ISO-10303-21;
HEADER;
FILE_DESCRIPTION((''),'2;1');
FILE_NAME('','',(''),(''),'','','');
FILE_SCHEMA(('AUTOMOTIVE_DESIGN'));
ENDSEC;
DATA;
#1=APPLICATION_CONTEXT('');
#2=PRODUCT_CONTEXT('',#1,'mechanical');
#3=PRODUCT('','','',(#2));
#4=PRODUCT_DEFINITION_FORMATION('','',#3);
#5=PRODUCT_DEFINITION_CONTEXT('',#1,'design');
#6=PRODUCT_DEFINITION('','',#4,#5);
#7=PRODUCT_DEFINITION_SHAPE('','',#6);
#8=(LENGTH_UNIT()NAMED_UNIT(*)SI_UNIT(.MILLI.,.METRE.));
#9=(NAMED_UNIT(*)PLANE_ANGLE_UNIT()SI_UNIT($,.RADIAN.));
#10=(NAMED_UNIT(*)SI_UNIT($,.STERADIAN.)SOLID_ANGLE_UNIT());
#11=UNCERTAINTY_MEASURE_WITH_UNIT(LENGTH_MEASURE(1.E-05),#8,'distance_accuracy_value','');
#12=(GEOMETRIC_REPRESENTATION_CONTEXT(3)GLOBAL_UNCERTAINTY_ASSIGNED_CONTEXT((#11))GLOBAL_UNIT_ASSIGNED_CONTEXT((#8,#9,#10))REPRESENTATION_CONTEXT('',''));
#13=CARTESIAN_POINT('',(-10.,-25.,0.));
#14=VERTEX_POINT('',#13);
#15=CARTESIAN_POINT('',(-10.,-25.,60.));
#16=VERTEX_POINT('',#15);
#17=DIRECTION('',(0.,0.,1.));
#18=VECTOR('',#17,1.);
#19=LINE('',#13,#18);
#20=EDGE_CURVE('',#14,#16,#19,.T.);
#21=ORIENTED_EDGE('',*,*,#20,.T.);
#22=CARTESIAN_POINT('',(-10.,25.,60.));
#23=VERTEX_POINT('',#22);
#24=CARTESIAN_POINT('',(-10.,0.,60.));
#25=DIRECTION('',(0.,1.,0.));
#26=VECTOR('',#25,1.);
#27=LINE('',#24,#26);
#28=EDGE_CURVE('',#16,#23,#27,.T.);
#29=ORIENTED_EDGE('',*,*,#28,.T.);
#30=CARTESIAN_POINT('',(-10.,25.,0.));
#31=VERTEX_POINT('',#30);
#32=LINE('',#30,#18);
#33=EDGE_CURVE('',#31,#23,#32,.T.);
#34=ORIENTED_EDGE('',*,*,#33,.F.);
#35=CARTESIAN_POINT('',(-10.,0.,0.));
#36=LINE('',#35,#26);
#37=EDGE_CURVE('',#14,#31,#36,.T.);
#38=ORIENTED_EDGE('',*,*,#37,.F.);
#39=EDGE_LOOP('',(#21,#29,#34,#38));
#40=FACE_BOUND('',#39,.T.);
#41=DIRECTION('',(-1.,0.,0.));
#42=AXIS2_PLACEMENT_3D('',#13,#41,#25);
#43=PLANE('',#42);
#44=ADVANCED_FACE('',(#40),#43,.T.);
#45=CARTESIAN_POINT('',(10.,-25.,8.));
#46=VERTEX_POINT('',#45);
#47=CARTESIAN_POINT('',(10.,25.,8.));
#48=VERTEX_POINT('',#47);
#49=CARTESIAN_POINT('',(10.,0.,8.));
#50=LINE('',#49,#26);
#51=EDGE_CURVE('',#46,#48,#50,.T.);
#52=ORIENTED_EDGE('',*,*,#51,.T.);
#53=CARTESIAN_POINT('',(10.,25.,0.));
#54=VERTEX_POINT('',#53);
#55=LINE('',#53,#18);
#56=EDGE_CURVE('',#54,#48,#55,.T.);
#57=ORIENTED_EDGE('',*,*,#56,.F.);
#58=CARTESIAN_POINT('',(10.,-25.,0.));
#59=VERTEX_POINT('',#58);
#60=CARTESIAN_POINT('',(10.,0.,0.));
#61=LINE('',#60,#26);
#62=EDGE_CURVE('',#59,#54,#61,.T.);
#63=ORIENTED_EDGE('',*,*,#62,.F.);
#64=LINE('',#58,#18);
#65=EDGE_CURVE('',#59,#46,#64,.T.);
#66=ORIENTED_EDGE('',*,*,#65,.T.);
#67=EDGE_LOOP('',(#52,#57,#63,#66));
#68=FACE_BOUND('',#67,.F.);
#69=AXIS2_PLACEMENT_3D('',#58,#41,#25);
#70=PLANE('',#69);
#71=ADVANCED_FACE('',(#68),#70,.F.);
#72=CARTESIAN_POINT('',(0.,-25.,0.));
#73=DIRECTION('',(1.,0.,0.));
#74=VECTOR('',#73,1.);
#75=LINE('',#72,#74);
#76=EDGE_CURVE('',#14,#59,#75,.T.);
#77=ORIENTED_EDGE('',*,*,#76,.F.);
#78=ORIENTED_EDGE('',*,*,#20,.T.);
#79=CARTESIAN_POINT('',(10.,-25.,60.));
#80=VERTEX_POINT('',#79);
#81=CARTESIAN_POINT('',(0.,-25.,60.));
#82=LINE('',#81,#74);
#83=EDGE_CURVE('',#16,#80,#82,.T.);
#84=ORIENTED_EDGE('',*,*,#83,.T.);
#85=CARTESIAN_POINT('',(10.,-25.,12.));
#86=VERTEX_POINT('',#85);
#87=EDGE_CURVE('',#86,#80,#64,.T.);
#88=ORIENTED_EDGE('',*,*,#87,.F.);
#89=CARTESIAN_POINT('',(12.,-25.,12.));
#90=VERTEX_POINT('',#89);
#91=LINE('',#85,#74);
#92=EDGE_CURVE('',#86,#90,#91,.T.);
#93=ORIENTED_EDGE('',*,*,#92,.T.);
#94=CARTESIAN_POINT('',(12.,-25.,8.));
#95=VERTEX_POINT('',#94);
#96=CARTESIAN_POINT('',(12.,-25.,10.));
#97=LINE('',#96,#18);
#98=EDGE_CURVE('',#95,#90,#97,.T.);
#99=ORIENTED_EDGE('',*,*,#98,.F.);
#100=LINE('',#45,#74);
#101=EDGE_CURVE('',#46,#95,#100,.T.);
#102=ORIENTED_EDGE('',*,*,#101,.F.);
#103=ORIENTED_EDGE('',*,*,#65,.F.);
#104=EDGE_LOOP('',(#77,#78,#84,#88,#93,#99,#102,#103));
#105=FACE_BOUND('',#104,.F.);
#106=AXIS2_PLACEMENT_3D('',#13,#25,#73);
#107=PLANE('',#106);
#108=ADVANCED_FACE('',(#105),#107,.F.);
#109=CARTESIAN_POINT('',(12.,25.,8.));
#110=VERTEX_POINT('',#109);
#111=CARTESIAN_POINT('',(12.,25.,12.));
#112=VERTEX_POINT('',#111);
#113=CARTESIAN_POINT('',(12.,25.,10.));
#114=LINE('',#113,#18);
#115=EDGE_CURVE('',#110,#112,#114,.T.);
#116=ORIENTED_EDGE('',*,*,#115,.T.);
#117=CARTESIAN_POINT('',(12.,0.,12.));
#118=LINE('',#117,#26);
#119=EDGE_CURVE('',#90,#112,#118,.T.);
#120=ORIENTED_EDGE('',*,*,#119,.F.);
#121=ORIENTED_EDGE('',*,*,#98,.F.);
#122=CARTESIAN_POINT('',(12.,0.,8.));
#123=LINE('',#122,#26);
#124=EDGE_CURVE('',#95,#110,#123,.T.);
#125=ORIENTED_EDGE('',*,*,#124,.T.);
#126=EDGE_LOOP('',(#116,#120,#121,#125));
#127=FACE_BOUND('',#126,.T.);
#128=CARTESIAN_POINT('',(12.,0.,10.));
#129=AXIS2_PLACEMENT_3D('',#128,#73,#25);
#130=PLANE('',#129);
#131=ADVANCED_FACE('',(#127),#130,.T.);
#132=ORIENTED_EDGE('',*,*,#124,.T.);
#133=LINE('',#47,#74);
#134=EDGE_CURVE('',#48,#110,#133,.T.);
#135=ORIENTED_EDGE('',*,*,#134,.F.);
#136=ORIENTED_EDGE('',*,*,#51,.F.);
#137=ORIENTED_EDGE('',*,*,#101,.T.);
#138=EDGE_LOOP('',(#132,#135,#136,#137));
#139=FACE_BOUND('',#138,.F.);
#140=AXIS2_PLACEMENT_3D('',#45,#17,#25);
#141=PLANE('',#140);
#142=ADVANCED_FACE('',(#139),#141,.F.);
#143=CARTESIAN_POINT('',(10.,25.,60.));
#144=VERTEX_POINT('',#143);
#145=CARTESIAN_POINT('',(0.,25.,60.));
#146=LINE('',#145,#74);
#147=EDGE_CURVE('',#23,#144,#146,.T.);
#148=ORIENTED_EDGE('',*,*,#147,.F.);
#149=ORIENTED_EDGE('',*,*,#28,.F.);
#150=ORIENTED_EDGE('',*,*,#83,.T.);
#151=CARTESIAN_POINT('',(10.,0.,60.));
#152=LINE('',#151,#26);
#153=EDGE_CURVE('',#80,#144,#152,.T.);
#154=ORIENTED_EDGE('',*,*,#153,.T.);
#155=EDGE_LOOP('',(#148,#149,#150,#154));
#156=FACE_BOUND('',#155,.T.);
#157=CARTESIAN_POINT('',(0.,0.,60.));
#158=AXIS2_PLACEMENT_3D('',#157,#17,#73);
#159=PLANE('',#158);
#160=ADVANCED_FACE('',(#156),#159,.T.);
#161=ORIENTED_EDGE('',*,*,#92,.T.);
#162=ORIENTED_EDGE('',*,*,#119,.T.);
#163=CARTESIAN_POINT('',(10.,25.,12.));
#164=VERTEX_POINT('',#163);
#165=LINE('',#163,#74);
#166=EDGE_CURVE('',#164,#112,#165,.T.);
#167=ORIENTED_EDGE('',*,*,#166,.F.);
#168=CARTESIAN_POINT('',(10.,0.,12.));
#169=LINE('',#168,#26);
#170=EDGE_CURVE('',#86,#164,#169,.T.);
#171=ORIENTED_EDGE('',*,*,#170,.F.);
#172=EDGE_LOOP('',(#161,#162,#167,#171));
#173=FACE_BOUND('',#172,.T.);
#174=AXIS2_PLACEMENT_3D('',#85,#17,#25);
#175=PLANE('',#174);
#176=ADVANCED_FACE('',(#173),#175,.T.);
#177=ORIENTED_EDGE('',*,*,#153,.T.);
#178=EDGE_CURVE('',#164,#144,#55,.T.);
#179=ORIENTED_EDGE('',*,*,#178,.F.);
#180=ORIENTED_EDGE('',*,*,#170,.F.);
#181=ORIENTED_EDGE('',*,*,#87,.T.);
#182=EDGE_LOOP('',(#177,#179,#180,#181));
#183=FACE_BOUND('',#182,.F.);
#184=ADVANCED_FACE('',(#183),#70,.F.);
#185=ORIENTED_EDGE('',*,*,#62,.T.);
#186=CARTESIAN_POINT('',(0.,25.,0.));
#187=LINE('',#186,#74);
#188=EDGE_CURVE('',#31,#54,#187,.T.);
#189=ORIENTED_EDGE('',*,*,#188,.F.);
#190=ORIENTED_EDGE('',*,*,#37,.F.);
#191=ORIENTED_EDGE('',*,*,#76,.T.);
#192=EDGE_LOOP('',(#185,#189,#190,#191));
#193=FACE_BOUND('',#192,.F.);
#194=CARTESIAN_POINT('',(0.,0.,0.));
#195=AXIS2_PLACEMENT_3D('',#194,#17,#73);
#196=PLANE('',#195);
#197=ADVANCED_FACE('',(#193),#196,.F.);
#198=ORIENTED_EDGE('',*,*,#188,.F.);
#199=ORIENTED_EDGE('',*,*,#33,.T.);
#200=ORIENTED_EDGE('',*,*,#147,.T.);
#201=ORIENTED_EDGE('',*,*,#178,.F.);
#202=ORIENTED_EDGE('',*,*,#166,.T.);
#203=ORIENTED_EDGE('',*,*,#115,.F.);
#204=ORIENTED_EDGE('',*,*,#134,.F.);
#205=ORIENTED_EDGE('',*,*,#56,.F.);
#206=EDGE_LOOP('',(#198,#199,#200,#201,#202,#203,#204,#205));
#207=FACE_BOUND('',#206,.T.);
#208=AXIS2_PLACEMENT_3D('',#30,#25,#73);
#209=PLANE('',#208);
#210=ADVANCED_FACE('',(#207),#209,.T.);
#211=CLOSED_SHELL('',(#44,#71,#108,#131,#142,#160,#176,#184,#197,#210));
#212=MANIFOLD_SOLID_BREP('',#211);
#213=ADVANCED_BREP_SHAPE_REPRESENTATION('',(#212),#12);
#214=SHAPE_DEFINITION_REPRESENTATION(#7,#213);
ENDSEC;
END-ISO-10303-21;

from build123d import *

# Parameters (mm, degrees)
F0_W     = 20
F0_H     = 50
F1_DEPTH = 60
F3_W     = 50
F3_H     = 4
F4_DEPTH = 2


with BuildPart() as f1:
    # F0 (on Top) → F1 (new body)
    with BuildSketch(Plane.XY):
        Rectangle(F0_W, F0_H)
    extrude(amount=F1_DEPTH)

    # F3 (on face) → F4 (join)
    with BuildSketch(Plane.YZ.offset(10)):
        with Locations((0, 10)):
            Rectangle(F3_W, F3_H)
    extrude(amount=F4_DEPTH)


solid = f1.part
